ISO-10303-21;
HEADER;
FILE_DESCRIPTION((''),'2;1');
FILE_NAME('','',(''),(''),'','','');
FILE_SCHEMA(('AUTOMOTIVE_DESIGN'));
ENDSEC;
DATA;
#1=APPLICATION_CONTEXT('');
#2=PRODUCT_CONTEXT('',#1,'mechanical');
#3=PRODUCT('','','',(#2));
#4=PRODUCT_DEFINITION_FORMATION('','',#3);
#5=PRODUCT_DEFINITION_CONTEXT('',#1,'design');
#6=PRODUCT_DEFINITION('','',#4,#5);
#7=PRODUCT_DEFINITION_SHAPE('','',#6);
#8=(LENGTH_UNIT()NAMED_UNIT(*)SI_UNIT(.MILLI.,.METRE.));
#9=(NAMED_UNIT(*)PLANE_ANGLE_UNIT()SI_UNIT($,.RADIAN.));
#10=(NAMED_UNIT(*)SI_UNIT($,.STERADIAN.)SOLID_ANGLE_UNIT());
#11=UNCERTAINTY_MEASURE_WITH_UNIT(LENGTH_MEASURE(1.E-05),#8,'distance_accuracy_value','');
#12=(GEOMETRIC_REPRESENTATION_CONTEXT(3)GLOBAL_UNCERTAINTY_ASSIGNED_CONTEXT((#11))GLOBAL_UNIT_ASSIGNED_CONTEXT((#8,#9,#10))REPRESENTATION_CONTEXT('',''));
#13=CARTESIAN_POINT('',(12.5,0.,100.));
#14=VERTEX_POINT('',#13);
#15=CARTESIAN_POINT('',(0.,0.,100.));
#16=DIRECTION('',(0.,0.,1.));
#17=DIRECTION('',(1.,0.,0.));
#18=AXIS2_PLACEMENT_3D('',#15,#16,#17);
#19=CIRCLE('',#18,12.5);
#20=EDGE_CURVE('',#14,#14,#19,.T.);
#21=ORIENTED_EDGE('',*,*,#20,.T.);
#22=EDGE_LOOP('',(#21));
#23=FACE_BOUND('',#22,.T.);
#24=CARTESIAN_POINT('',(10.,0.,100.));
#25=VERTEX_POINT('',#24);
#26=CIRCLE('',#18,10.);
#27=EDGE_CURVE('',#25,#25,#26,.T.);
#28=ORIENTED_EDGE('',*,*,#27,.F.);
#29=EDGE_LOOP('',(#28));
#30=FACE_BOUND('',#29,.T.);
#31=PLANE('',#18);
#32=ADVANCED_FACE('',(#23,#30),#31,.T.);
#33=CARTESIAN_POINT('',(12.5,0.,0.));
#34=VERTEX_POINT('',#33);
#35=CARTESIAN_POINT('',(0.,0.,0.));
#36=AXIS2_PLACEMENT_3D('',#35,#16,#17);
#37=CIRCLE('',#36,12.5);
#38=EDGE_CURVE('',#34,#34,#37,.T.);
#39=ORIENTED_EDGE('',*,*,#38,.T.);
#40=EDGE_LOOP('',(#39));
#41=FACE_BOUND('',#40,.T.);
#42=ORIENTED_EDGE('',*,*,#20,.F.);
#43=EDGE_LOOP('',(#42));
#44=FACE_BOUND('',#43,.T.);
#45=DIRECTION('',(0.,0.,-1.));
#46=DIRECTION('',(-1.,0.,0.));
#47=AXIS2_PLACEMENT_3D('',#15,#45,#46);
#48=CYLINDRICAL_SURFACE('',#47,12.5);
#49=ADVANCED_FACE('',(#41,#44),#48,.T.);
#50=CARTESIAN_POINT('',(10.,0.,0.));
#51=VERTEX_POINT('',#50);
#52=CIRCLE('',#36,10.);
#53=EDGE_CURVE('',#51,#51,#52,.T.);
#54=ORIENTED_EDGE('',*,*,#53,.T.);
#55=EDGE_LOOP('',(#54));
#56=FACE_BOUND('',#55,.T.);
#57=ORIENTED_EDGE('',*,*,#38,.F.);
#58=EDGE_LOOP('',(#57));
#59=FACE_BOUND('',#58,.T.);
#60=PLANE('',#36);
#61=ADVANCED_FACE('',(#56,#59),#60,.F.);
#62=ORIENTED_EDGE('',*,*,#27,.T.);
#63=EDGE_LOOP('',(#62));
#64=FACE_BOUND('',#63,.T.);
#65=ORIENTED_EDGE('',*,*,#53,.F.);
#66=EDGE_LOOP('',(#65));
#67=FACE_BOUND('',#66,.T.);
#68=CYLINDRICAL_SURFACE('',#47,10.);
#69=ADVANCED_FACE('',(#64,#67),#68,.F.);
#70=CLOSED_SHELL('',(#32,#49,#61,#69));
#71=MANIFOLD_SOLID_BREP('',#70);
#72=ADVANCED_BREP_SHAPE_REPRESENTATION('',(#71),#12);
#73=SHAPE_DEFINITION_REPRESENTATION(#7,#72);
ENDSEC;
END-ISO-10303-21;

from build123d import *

# Parameters (mm, degrees)
ESBO_O1_R                = 12.5
ESBO_O1_R_2              = 10
RESSALTO_EXTRUS_O1_DEPTH = 100


with BuildPart() as part:
    # Esboço1 → Ressalto-extrusão1 (new body)
    with BuildSketch(Plane.XY):
        Circle(ESBO_O1_R)
        Circle(ESBO_O1_R_2, mode=Mode.SUBTRACT)
    extrude(amount=RESSALTO_EXTRUS_O1_DEPTH)


solid = part.part
